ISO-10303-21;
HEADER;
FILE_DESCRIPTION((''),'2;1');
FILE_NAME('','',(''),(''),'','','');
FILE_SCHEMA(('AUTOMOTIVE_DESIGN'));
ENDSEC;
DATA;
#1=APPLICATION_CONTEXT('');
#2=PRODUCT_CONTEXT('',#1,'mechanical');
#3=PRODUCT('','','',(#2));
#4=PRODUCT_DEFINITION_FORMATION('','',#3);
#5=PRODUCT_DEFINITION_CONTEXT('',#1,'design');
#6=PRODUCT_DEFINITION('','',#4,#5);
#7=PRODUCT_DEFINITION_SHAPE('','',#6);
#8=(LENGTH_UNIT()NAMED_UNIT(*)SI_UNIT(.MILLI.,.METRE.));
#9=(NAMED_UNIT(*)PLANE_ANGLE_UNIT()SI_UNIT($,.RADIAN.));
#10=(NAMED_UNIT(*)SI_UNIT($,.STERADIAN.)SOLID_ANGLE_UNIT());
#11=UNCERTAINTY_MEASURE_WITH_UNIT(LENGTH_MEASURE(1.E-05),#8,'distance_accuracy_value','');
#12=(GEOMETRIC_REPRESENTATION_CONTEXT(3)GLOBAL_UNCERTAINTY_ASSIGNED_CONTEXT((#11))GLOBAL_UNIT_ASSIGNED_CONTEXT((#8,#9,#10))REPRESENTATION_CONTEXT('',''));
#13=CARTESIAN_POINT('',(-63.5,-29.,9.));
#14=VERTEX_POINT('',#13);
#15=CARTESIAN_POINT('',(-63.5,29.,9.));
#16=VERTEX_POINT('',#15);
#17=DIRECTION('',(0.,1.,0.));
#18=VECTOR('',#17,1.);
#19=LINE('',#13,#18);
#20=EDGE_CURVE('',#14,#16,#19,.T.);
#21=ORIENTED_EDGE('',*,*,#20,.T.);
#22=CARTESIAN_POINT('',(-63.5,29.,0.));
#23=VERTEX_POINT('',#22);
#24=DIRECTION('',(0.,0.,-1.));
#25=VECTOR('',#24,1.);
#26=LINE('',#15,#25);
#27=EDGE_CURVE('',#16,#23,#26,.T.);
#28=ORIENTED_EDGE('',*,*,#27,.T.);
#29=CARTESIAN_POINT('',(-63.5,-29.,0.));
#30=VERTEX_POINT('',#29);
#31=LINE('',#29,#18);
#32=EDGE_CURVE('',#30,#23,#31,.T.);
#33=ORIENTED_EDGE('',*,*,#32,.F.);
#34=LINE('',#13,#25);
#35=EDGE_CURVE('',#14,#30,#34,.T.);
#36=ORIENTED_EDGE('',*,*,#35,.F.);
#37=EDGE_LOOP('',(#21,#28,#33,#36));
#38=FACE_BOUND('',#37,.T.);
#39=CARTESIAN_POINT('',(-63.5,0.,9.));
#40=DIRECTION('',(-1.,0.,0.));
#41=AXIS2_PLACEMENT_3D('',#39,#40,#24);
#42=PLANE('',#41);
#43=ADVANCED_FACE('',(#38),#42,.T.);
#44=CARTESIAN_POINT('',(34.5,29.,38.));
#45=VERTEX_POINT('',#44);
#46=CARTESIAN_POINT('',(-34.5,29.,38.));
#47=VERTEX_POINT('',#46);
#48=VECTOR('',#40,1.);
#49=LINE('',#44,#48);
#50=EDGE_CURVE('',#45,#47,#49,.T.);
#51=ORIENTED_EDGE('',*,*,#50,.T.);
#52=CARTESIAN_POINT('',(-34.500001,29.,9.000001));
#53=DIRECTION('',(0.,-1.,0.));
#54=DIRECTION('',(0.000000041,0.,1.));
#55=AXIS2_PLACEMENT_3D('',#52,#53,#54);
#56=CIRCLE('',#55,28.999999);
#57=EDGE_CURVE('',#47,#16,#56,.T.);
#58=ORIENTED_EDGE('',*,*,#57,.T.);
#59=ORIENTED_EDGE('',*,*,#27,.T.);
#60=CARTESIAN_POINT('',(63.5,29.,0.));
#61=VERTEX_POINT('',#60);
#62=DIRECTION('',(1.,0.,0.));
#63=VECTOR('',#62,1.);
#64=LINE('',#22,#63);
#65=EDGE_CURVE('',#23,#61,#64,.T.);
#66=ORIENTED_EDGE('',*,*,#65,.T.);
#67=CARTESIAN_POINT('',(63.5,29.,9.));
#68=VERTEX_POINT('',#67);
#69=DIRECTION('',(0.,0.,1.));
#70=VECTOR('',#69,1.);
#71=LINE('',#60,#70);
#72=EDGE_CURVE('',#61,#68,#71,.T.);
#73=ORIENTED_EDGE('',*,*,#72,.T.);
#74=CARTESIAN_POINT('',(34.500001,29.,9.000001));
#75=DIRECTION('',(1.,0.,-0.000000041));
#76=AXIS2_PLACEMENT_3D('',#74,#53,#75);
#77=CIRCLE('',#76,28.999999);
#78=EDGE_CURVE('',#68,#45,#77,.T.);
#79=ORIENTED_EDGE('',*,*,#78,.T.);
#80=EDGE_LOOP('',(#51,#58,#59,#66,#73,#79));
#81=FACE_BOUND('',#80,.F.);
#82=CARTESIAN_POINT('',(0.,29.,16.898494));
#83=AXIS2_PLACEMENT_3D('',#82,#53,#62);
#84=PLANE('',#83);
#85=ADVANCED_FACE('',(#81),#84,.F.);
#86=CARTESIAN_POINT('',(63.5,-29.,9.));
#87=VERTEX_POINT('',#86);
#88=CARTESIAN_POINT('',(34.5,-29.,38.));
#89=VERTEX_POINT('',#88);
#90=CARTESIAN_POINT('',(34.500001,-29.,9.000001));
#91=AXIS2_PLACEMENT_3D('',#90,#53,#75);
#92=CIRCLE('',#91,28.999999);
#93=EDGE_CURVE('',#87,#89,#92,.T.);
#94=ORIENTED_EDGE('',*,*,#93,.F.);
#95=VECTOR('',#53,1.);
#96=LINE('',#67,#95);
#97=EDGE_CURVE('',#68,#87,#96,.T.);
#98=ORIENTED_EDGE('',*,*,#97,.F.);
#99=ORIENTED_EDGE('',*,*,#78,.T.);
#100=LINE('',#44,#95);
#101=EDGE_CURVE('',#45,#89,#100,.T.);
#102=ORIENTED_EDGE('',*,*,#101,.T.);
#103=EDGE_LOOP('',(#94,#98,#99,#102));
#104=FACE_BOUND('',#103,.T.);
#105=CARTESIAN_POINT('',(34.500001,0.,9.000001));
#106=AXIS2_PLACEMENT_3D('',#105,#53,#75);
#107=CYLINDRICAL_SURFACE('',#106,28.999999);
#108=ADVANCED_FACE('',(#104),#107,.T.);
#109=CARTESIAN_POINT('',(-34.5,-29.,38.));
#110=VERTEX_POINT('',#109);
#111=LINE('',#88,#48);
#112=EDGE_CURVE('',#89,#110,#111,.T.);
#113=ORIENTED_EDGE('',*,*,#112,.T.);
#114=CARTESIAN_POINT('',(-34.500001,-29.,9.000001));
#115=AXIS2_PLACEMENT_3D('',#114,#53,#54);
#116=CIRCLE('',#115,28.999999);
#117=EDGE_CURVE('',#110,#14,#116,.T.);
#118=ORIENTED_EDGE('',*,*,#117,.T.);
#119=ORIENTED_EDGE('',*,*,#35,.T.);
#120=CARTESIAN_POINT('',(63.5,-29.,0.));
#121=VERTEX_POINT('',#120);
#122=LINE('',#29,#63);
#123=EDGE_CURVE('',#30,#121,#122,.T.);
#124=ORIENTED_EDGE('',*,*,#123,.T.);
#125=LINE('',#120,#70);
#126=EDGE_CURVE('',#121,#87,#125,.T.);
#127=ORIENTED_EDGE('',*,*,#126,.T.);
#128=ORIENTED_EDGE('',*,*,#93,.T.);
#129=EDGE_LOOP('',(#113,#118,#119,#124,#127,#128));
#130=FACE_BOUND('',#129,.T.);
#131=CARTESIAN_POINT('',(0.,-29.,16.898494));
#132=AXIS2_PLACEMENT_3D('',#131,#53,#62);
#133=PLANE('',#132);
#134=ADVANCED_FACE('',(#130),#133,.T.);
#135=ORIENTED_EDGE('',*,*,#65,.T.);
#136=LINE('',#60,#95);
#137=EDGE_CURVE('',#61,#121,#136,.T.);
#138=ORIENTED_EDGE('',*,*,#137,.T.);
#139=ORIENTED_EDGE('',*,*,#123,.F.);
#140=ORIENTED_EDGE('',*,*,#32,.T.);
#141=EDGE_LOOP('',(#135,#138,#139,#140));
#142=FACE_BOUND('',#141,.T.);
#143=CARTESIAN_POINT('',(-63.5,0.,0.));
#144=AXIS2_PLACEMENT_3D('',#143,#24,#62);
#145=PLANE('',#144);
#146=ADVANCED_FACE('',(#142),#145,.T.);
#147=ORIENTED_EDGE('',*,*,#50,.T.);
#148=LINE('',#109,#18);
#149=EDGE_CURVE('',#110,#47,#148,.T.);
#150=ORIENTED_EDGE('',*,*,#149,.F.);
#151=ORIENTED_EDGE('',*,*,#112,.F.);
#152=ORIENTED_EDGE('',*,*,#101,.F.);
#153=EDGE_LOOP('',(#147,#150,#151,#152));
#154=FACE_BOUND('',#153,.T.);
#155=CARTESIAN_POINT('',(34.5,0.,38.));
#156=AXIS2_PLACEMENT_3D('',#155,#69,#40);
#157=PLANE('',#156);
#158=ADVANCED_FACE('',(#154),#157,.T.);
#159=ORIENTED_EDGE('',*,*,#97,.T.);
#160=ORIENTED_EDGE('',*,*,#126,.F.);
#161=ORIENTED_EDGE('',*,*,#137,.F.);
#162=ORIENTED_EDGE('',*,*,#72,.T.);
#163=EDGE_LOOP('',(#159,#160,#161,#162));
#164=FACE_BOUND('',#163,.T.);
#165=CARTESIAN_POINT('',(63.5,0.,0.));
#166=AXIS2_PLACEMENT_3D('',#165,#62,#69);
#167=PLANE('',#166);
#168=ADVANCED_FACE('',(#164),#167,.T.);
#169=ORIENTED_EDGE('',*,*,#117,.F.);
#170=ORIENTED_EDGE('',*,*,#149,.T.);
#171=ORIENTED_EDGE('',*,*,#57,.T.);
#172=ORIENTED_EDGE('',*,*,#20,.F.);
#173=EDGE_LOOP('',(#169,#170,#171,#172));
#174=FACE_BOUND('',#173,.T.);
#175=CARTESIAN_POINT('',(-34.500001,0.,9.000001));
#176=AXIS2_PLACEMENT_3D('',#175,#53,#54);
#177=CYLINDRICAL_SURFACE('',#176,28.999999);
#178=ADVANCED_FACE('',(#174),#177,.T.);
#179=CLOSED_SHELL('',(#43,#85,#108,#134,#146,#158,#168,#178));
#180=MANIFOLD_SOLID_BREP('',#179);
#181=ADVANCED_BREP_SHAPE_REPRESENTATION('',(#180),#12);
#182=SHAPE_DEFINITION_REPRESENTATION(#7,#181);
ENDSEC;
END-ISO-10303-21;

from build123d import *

# Parameters (mm, degrees)
F1_DEPTH = 29


with BuildPart() as f1:
    # F0 (on Front) → F1 (new body, symmetric)
    with BuildSketch(Plane.XZ):
        with BuildLine():
            Line((-63.5, 0), (63.5, 0))
            Line((63.5, 0), (63.5, 9))
            ThreePointArc((63.5, 9), (55.006097, 29.506097), (34.5, 38))
            Line((34.5, 38), (-34.5, 38))
            ThreePointArc((-34.5, 38), (-55.006097, 29.506097), (-63.5, 9))
            Line((-63.5, 9), (-63.5, 0))
        make_face()
    extrude(amount=F1_DEPTH, both=True)


solid = f1.part
